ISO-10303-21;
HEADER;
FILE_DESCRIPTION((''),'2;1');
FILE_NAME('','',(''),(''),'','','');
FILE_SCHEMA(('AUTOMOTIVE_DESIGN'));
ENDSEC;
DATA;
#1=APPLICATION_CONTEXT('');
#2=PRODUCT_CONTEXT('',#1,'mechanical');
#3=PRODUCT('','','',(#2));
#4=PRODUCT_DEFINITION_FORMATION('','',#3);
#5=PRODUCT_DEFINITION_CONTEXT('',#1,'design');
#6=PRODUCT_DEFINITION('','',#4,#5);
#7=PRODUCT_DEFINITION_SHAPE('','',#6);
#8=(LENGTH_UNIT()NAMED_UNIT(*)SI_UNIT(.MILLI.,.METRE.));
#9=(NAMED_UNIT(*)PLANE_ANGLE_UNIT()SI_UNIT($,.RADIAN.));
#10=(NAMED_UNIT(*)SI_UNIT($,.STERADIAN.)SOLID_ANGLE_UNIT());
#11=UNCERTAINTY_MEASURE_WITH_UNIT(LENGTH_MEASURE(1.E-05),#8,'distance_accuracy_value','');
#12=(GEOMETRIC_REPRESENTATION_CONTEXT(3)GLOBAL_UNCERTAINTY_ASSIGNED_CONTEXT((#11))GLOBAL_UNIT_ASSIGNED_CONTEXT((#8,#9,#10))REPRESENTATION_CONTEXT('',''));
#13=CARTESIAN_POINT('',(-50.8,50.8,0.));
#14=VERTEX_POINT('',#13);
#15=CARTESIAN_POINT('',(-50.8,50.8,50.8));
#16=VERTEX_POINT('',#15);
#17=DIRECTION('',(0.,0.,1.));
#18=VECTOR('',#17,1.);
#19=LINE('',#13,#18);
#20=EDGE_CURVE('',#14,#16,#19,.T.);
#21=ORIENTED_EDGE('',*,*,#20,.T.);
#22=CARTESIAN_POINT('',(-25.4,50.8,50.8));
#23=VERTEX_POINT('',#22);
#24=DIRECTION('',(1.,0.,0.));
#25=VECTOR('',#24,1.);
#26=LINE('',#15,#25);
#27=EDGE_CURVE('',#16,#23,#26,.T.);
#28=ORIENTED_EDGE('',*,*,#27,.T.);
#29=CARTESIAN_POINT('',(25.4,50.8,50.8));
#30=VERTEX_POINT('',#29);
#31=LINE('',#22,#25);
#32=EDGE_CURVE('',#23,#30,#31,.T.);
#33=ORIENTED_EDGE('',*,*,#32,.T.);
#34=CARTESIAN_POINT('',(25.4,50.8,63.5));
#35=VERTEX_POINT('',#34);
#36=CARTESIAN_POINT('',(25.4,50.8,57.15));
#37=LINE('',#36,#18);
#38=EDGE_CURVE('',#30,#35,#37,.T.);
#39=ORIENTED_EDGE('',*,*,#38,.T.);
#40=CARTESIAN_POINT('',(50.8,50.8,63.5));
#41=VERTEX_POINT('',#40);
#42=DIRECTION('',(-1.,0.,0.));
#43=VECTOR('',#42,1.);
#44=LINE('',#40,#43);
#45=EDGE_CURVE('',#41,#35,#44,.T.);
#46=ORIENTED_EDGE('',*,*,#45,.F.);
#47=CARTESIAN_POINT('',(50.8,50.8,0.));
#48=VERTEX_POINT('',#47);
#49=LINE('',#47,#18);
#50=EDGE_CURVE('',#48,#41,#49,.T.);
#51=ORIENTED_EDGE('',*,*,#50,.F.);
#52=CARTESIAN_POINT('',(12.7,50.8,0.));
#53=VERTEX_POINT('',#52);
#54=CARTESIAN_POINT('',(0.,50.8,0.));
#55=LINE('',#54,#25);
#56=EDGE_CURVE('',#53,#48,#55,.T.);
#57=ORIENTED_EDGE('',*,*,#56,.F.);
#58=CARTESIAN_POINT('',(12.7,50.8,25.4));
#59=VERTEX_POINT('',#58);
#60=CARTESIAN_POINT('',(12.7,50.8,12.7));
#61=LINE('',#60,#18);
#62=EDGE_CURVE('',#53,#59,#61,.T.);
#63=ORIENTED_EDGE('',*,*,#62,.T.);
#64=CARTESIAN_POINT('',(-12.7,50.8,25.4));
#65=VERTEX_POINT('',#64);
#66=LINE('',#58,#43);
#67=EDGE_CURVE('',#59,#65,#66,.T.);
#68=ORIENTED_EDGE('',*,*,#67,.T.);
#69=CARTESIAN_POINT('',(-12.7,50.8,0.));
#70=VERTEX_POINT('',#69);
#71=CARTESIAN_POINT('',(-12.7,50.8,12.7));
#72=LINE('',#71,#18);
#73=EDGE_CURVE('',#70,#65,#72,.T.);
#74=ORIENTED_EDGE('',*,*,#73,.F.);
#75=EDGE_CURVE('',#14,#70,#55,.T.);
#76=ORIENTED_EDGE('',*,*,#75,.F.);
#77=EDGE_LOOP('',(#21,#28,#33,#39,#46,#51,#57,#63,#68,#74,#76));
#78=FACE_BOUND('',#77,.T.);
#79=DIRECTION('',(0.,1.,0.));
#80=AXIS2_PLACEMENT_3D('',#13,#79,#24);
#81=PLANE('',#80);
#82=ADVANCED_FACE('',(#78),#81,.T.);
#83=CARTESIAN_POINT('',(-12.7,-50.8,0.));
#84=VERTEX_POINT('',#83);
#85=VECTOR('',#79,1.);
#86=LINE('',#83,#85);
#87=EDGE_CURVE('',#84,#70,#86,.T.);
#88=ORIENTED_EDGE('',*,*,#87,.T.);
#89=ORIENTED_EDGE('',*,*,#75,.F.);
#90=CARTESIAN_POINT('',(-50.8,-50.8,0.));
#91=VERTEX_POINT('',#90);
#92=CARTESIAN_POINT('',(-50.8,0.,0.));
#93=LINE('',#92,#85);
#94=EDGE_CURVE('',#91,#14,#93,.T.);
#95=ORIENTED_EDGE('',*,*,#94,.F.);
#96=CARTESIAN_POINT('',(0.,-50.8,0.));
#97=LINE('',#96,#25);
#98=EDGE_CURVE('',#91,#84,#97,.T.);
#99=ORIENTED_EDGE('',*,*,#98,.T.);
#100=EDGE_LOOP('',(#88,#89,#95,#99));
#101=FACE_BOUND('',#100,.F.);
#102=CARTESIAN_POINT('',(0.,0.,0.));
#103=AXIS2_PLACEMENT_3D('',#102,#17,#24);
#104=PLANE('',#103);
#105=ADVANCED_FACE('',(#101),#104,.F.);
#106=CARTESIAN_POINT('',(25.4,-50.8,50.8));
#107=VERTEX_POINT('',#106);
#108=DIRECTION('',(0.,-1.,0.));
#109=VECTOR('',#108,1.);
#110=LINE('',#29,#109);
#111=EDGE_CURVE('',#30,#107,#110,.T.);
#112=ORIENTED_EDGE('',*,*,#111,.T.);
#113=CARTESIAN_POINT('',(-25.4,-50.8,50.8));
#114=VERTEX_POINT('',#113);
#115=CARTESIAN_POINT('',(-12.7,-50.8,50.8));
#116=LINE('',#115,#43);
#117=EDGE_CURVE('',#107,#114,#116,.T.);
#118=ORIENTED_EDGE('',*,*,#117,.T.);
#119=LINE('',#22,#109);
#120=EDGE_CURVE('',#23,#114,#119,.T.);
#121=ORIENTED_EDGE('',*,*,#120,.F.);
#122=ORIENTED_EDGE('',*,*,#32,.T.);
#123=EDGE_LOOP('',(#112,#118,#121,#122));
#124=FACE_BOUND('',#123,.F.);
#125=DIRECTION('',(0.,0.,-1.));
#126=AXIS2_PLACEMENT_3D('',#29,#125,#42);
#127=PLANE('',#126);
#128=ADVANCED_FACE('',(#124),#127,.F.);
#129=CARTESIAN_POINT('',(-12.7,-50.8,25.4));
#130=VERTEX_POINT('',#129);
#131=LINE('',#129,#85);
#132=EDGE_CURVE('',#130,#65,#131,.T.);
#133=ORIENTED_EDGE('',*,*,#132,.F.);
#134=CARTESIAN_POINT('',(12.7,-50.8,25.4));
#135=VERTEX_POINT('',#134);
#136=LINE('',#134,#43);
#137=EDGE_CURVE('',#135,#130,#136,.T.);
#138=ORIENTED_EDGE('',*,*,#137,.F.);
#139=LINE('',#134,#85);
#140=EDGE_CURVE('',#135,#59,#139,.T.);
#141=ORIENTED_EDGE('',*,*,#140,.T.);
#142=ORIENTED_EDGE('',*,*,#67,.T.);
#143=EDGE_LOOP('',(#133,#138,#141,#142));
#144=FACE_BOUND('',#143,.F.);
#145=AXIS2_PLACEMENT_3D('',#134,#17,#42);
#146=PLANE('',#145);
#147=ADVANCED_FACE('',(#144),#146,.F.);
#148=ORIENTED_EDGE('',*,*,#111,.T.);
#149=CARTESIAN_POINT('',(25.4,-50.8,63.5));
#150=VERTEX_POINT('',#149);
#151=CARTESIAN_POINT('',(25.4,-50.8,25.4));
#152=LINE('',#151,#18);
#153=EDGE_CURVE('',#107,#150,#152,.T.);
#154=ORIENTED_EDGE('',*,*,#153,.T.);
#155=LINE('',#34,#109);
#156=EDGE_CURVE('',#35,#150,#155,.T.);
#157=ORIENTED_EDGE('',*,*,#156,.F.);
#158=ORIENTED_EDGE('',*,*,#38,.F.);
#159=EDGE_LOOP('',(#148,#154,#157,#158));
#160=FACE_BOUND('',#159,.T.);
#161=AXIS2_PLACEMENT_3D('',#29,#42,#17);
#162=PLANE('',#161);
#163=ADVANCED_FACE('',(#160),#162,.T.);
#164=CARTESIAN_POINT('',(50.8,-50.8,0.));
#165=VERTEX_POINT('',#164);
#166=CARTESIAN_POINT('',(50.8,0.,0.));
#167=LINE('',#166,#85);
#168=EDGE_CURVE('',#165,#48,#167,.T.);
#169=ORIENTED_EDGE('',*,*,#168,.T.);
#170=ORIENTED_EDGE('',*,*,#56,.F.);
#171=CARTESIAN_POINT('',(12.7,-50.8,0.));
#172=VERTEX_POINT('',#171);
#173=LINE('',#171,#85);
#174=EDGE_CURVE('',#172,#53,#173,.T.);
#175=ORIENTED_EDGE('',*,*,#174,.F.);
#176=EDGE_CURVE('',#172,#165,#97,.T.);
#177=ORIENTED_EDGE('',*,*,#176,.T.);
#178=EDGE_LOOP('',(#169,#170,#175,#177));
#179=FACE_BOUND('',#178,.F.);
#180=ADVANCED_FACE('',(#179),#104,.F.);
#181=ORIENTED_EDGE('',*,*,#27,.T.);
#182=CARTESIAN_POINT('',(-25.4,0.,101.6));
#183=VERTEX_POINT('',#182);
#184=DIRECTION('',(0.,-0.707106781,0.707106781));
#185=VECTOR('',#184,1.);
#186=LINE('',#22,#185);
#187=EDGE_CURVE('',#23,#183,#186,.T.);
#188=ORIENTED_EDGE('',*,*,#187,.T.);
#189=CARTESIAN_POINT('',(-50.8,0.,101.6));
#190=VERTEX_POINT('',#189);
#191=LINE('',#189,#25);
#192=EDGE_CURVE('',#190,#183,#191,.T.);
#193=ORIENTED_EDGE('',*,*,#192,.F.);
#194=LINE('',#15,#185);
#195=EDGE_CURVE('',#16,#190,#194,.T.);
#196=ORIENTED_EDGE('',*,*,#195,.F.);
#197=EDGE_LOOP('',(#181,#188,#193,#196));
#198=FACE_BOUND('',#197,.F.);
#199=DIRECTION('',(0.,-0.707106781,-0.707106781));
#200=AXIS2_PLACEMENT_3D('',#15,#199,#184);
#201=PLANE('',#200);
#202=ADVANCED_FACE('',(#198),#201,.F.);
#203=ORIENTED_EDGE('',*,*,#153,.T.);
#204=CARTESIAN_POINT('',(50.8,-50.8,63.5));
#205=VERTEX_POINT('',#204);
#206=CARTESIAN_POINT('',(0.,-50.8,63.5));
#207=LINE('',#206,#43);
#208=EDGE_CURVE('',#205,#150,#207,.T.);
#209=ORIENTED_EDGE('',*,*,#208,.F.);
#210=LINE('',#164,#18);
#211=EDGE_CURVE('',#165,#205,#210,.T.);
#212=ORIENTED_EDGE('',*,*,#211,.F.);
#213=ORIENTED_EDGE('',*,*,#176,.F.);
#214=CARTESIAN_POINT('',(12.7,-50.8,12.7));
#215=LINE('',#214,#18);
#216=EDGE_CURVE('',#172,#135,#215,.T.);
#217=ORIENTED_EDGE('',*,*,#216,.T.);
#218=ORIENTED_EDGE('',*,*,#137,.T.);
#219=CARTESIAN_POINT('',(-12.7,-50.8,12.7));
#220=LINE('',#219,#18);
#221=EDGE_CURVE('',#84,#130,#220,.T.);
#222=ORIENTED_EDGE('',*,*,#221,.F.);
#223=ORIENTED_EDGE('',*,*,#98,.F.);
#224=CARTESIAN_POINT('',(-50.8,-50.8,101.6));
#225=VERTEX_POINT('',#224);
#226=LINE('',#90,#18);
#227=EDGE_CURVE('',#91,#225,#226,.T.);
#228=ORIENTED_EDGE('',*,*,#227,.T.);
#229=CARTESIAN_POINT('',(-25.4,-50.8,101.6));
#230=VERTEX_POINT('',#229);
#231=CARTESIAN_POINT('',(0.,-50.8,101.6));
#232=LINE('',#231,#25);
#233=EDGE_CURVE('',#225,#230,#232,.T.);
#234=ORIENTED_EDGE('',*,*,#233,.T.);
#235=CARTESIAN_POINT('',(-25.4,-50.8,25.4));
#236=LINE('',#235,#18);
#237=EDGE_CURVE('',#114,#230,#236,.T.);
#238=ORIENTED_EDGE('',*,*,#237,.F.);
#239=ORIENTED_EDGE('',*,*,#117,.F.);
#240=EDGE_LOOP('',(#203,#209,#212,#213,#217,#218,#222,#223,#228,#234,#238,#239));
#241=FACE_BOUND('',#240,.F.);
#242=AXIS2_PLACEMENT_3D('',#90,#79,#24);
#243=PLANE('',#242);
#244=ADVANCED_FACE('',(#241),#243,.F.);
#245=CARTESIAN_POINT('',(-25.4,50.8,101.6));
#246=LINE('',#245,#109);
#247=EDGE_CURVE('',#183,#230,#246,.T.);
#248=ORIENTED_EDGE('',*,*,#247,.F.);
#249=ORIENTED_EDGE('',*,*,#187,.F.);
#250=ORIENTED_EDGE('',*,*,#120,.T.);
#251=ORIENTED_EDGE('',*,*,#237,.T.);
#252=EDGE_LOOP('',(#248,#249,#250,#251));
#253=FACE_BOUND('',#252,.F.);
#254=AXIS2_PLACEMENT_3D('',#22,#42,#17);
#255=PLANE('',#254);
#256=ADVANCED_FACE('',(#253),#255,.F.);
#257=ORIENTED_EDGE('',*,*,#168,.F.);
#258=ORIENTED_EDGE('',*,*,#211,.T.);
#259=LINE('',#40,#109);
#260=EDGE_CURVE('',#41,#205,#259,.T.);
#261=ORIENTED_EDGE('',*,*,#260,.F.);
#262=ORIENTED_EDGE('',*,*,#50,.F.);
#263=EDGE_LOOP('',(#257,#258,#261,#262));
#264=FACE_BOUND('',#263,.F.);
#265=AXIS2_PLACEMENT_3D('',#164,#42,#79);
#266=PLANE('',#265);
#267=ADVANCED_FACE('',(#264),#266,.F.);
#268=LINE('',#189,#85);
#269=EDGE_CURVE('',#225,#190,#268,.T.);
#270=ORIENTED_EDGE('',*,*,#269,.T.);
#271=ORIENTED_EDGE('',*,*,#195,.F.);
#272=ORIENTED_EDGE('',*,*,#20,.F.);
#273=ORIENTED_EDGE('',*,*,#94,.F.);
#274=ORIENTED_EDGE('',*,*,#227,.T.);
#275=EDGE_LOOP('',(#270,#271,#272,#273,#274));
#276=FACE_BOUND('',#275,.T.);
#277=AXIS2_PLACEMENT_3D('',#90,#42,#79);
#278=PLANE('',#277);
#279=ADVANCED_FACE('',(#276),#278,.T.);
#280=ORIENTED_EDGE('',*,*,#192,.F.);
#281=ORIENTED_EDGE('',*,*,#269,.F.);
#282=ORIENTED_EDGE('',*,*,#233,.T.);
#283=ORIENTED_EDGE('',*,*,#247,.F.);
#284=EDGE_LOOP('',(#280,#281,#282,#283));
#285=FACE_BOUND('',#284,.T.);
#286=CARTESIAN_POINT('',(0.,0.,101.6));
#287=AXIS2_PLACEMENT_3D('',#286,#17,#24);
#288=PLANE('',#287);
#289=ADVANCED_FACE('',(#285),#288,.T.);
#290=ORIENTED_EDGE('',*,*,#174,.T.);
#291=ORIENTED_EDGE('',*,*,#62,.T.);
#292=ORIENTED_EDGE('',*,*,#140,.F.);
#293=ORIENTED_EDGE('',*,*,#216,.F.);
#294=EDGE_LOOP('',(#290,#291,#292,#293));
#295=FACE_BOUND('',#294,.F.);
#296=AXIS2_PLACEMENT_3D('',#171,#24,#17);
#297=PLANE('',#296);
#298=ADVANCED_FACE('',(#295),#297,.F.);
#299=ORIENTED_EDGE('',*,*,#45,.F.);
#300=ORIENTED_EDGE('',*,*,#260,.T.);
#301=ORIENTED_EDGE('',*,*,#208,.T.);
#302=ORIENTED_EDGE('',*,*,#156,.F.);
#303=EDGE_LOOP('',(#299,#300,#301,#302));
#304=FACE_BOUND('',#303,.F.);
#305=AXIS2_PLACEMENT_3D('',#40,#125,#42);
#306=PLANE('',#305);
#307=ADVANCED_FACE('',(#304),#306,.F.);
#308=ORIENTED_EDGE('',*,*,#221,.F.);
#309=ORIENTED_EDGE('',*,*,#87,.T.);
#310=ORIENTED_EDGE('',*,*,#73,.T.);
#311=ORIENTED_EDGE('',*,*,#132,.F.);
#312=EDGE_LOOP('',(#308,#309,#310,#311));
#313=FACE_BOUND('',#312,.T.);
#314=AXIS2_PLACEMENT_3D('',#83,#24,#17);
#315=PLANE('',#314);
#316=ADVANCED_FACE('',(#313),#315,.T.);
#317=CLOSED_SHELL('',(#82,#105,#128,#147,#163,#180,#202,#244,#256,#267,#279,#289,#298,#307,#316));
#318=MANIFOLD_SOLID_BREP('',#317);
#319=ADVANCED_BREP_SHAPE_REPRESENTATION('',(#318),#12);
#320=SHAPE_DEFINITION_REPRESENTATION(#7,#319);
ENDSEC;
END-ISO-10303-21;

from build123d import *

# Parameters (mm, degrees)
F0_W     = 101.6
F0_H     = 101.6
F1_DEPTH = 101.6
F2_W     = 12.7
F2_H     = 25.4
F3_DEPTH = 101.6
F4_W     = 50.8
F4_H     = 12.7
F5_DEPTH = 425.958
F7_DEPTH = 52.07


with BuildPart() as f1:
    # F0 (on Top) → F1 (new body)
    with BuildSketch(Plane.XY):
        Rectangle(F0_W, F0_H)
    extrude(amount=F1_DEPTH)

    # F2 (on face) → F3 (cut)
    with BuildSketch(Plane.XZ.offset(50.8)):
        with Locations((-6.35, 12.7)):
            Rectangle(F2_W, F2_H)
        with Locations((6.35, 12.7)):
            Rectangle(F2_W, F2_H)
    extrude(amount=-F3_DEPTH, mode=Mode.SUBTRACT)

    # F4 (on face) → F5 (cut)
    with BuildSketch(Plane(origin=(0, 50.8, 0), x_dir=(-1, 0, 0), z_dir=(0, 1, 0))):
        Polygon((25.4, 101.6), (-50.8, 101.6), (-50.8, 63.5), (-25.4, 63.5), (25.4, 63.5), align=None)
        with Locations((0, 57.15)):
            Rectangle(F4_W, F4_H)
    extrude(amount=-F5_DEPTH, mode=Mode.SUBTRACT)

    # F6 (on face) → F7 (cut)
    with BuildSketch(Plane(origin=(-50.8, 0, 0), x_dir=(0, -1, 0), z_dir=(-1, 0, 0))):
        Polygon((-50.8, 50.8), (0, 101.6), (-50.8, 101.6), align=None)
    extrude(amount=-F7_DEPTH, mode=Mode.SUBTRACT)


solid = f1.part
